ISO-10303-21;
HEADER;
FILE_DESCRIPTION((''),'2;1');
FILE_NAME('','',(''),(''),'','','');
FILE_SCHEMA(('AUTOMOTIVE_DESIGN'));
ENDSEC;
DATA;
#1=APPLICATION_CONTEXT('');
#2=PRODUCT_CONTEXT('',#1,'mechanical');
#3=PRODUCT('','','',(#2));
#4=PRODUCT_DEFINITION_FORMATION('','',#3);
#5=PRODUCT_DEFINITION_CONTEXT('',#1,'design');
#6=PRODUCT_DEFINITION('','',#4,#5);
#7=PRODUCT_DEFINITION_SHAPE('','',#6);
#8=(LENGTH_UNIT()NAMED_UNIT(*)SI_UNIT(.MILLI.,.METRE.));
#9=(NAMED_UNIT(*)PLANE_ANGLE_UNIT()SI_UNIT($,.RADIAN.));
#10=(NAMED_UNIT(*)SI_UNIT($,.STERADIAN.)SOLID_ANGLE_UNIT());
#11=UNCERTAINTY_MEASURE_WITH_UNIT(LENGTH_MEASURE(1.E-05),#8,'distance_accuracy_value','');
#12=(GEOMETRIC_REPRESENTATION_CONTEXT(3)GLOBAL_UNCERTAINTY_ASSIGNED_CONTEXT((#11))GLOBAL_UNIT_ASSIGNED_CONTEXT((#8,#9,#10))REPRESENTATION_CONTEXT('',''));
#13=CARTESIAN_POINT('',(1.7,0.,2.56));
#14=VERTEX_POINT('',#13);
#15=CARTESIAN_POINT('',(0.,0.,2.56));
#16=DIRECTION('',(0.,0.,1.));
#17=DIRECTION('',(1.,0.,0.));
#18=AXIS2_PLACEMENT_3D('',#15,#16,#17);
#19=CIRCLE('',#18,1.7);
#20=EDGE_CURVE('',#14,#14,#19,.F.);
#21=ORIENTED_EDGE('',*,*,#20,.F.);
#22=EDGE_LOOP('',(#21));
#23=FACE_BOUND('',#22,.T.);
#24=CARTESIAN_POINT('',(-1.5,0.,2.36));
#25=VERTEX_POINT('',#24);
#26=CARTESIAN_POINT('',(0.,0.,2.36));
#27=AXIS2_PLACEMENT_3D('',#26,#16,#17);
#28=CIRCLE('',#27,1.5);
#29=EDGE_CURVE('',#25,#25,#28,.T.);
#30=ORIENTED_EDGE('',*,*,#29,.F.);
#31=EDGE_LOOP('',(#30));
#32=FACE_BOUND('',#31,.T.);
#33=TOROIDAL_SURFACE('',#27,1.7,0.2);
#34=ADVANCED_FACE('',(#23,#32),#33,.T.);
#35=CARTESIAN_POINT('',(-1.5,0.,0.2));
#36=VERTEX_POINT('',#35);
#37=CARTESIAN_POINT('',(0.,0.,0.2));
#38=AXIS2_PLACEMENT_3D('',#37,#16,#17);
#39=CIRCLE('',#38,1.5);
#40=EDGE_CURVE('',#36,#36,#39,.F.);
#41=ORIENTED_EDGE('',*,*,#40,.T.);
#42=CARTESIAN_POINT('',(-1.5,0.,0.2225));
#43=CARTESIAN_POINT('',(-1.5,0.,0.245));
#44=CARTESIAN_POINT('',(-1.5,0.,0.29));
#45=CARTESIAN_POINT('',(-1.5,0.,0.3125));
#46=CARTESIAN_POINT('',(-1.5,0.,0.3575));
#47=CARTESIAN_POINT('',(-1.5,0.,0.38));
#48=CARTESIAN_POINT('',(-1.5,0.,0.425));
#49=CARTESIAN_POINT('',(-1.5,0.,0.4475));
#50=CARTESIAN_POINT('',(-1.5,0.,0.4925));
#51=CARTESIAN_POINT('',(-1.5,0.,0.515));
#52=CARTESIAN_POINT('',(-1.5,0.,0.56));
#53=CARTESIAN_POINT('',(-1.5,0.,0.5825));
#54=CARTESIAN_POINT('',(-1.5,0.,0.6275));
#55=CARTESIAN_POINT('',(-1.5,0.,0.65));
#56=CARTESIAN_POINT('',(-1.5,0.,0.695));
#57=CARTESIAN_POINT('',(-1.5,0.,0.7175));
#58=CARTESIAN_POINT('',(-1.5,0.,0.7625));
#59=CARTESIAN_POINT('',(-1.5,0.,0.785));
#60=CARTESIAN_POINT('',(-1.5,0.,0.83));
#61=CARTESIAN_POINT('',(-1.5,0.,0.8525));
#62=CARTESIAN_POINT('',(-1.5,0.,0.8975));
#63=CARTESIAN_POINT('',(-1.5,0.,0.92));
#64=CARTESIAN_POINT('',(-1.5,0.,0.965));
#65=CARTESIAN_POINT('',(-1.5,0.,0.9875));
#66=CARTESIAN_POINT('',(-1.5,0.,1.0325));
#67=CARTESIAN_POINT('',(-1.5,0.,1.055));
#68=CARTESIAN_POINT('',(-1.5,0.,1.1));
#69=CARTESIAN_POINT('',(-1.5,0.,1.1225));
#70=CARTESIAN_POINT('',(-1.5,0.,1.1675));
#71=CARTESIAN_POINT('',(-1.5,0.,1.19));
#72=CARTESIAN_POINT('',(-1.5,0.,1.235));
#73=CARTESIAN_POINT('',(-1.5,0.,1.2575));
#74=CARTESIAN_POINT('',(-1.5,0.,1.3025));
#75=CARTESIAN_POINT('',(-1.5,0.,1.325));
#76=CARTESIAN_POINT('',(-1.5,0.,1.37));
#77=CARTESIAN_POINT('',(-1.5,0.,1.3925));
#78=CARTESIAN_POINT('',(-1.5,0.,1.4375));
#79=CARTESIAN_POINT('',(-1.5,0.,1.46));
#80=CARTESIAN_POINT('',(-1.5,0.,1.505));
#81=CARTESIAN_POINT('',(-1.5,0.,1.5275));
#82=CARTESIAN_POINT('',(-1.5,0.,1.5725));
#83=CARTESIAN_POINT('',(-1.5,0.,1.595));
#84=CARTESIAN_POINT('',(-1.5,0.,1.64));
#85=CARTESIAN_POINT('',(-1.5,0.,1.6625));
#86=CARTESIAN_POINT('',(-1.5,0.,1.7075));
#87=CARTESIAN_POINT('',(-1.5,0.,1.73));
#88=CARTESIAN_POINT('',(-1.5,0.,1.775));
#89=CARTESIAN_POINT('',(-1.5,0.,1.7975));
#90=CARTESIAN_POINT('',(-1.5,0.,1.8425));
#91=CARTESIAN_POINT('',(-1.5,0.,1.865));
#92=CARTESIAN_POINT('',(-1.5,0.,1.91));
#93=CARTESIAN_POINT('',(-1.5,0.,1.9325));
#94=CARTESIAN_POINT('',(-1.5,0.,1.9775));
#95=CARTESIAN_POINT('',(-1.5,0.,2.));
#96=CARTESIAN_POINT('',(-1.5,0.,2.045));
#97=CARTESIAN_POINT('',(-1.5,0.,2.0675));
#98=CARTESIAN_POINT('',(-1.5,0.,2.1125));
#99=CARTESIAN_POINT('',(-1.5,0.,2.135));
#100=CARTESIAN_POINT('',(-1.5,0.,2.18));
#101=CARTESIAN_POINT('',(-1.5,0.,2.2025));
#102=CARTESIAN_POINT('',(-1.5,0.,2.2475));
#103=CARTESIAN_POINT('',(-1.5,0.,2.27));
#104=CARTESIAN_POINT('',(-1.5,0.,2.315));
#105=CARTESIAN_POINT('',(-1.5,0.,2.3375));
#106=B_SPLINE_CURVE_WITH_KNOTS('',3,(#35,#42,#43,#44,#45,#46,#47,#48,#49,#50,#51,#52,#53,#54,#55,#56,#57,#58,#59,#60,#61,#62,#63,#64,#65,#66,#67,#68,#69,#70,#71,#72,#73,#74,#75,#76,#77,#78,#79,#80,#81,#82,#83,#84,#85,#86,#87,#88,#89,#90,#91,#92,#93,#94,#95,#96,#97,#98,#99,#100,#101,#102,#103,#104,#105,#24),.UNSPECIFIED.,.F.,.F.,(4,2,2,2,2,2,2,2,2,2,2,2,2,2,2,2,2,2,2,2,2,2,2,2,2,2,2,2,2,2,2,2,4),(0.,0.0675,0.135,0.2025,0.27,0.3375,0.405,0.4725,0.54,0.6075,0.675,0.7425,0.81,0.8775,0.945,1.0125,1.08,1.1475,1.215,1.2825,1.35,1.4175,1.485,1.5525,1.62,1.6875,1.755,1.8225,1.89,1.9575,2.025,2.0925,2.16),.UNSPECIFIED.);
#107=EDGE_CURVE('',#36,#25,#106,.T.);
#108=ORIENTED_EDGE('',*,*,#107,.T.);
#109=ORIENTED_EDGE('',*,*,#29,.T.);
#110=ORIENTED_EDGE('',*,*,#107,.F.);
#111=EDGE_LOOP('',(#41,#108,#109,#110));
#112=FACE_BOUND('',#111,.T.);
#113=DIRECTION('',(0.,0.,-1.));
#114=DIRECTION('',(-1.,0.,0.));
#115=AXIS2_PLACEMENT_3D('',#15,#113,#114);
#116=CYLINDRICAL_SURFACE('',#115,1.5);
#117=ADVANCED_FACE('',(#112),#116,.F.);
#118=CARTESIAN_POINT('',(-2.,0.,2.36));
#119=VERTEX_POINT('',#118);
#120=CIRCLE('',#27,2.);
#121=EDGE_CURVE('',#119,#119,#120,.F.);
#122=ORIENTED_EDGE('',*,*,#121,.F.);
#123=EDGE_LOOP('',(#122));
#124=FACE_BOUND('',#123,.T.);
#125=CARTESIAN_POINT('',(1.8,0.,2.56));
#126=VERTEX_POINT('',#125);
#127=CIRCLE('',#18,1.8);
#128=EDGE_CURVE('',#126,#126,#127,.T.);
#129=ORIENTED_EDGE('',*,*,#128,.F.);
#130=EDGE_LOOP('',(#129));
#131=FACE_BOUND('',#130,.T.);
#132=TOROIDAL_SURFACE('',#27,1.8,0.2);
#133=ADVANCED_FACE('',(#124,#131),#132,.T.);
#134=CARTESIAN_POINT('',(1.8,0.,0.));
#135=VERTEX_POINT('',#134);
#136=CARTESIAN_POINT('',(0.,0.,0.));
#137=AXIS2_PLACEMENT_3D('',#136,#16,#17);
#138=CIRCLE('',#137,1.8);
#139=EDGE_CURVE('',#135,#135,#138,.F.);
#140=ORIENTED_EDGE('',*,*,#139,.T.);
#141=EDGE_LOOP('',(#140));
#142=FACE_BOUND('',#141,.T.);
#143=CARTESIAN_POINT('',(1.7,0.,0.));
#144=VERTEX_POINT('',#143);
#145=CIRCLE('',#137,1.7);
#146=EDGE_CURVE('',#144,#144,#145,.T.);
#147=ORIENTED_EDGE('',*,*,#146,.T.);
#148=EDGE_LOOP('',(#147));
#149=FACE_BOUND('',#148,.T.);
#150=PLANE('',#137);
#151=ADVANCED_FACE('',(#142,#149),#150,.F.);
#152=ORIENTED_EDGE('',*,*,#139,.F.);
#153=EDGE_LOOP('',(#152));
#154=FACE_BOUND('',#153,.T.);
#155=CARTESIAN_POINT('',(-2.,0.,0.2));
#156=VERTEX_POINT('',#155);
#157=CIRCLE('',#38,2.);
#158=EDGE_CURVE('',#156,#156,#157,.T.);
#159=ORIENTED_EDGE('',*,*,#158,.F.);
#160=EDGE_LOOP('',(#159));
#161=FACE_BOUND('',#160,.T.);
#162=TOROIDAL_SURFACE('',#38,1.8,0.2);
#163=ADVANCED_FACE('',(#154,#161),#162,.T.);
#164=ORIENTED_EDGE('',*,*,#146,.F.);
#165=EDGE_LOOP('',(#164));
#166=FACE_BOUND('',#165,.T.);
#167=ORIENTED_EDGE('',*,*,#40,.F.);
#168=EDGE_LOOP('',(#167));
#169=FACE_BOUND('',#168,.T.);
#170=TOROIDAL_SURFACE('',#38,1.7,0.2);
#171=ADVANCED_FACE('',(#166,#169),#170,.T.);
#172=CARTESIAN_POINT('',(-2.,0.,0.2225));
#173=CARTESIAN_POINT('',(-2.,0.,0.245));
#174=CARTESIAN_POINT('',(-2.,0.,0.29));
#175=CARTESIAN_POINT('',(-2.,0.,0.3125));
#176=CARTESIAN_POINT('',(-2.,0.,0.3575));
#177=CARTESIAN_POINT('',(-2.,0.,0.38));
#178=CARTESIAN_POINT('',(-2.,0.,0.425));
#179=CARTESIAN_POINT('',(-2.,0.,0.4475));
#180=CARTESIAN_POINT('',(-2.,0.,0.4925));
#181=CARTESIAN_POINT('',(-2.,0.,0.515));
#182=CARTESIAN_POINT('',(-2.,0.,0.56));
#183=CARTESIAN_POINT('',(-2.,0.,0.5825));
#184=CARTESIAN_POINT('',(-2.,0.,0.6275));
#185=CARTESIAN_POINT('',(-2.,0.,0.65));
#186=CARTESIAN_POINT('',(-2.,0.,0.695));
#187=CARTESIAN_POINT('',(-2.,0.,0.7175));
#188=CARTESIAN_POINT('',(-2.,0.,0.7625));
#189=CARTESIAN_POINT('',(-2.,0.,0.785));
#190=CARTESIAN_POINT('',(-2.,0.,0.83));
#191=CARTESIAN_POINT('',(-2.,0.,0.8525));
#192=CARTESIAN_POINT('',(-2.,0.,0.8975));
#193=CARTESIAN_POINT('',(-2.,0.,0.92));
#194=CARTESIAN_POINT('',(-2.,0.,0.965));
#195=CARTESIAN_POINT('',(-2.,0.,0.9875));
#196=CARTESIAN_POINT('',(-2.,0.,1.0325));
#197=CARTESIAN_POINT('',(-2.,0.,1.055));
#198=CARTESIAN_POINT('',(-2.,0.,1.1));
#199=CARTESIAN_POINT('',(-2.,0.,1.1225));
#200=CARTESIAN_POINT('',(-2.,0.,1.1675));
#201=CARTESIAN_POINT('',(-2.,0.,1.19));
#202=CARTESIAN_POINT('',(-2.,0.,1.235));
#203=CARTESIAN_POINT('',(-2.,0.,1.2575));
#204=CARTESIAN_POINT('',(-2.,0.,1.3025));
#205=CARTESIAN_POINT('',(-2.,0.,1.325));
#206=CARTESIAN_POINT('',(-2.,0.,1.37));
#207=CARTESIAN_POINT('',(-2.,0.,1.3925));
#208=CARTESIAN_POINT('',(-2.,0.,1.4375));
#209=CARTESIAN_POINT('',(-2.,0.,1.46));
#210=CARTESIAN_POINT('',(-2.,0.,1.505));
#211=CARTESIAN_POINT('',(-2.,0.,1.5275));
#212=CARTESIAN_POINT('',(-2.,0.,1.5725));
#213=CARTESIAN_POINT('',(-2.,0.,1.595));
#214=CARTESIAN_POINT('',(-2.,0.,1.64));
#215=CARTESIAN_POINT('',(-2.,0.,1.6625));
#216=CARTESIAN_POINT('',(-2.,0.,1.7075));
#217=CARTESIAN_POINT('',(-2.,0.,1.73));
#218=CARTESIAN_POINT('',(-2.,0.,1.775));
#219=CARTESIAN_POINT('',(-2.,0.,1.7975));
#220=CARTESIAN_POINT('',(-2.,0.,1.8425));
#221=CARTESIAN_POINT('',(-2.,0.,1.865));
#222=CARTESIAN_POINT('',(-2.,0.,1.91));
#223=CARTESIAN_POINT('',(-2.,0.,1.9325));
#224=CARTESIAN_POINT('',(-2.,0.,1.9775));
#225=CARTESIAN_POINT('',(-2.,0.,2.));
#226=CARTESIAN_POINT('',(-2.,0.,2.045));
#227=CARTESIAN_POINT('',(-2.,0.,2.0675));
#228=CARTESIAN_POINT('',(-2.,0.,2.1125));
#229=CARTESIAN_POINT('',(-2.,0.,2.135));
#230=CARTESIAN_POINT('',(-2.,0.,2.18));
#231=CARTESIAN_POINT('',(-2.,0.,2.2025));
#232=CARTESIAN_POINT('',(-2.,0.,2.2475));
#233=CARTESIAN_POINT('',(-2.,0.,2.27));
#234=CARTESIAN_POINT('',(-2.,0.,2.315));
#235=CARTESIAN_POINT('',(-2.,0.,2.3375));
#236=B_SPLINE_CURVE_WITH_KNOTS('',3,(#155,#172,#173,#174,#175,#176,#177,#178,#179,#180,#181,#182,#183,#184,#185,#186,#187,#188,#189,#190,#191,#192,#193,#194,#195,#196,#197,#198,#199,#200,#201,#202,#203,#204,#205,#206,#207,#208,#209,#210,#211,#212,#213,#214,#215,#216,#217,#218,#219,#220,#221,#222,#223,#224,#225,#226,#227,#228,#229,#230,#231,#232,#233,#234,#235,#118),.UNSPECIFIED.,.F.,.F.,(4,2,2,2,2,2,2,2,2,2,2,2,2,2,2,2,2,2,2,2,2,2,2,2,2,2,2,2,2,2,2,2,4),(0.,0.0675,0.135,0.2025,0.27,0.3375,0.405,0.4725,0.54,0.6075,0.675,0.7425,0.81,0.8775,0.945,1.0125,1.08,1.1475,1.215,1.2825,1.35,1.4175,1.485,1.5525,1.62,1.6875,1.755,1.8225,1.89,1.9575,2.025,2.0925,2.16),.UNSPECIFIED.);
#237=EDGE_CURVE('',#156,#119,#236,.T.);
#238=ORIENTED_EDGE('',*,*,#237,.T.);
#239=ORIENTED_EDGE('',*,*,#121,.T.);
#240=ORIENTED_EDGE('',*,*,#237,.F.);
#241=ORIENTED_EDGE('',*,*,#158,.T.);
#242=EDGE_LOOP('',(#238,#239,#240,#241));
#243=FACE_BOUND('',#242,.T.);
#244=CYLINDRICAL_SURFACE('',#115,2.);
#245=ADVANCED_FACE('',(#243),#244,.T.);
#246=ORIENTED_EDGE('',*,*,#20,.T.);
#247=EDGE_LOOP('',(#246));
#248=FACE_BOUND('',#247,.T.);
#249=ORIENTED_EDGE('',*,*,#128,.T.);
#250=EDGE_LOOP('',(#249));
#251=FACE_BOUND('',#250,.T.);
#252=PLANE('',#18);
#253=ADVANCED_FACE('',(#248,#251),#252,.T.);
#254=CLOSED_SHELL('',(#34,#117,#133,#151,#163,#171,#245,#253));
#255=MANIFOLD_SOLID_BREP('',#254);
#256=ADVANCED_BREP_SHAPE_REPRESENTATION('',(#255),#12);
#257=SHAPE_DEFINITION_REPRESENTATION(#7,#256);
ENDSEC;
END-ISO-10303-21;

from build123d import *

# Parameters (mm, degrees)
ESQUISSE1_R        = 2
ESQUISSE1_R_2      = 1.5
BOSS_EXTRU_1_DEPTH = 2.56
CONG_1_R           = 0.2


with BuildPart() as part:
    # Esquisse1 → Boss.-Extru.1 (new body)
    with BuildSketch(Plane.XY):
        with Locations(Location((0, 0, 0), (0, 0, 180))):
            Circle(ESQUISSE1_R)
        with Locations(Location((0, 0, 0), (0, 0, 180))):
            Circle(ESQUISSE1_R_2, mode=Mode.SUBTRACT)
    extrude(amount=BOSS_EXTRU_1_DEPTH)

    # Congé1
    cong_1_edges = [part.edges().sort_by_distance(p)[0] for p in [
        (2, 0, 0),
        (2, 0, 2.56),
        (1.5, 0, 0),
        (1.5, 0, 2.56),
    ]]
    fillet(cong_1_edges, radius=CONG_1_R)


solid = part.part
